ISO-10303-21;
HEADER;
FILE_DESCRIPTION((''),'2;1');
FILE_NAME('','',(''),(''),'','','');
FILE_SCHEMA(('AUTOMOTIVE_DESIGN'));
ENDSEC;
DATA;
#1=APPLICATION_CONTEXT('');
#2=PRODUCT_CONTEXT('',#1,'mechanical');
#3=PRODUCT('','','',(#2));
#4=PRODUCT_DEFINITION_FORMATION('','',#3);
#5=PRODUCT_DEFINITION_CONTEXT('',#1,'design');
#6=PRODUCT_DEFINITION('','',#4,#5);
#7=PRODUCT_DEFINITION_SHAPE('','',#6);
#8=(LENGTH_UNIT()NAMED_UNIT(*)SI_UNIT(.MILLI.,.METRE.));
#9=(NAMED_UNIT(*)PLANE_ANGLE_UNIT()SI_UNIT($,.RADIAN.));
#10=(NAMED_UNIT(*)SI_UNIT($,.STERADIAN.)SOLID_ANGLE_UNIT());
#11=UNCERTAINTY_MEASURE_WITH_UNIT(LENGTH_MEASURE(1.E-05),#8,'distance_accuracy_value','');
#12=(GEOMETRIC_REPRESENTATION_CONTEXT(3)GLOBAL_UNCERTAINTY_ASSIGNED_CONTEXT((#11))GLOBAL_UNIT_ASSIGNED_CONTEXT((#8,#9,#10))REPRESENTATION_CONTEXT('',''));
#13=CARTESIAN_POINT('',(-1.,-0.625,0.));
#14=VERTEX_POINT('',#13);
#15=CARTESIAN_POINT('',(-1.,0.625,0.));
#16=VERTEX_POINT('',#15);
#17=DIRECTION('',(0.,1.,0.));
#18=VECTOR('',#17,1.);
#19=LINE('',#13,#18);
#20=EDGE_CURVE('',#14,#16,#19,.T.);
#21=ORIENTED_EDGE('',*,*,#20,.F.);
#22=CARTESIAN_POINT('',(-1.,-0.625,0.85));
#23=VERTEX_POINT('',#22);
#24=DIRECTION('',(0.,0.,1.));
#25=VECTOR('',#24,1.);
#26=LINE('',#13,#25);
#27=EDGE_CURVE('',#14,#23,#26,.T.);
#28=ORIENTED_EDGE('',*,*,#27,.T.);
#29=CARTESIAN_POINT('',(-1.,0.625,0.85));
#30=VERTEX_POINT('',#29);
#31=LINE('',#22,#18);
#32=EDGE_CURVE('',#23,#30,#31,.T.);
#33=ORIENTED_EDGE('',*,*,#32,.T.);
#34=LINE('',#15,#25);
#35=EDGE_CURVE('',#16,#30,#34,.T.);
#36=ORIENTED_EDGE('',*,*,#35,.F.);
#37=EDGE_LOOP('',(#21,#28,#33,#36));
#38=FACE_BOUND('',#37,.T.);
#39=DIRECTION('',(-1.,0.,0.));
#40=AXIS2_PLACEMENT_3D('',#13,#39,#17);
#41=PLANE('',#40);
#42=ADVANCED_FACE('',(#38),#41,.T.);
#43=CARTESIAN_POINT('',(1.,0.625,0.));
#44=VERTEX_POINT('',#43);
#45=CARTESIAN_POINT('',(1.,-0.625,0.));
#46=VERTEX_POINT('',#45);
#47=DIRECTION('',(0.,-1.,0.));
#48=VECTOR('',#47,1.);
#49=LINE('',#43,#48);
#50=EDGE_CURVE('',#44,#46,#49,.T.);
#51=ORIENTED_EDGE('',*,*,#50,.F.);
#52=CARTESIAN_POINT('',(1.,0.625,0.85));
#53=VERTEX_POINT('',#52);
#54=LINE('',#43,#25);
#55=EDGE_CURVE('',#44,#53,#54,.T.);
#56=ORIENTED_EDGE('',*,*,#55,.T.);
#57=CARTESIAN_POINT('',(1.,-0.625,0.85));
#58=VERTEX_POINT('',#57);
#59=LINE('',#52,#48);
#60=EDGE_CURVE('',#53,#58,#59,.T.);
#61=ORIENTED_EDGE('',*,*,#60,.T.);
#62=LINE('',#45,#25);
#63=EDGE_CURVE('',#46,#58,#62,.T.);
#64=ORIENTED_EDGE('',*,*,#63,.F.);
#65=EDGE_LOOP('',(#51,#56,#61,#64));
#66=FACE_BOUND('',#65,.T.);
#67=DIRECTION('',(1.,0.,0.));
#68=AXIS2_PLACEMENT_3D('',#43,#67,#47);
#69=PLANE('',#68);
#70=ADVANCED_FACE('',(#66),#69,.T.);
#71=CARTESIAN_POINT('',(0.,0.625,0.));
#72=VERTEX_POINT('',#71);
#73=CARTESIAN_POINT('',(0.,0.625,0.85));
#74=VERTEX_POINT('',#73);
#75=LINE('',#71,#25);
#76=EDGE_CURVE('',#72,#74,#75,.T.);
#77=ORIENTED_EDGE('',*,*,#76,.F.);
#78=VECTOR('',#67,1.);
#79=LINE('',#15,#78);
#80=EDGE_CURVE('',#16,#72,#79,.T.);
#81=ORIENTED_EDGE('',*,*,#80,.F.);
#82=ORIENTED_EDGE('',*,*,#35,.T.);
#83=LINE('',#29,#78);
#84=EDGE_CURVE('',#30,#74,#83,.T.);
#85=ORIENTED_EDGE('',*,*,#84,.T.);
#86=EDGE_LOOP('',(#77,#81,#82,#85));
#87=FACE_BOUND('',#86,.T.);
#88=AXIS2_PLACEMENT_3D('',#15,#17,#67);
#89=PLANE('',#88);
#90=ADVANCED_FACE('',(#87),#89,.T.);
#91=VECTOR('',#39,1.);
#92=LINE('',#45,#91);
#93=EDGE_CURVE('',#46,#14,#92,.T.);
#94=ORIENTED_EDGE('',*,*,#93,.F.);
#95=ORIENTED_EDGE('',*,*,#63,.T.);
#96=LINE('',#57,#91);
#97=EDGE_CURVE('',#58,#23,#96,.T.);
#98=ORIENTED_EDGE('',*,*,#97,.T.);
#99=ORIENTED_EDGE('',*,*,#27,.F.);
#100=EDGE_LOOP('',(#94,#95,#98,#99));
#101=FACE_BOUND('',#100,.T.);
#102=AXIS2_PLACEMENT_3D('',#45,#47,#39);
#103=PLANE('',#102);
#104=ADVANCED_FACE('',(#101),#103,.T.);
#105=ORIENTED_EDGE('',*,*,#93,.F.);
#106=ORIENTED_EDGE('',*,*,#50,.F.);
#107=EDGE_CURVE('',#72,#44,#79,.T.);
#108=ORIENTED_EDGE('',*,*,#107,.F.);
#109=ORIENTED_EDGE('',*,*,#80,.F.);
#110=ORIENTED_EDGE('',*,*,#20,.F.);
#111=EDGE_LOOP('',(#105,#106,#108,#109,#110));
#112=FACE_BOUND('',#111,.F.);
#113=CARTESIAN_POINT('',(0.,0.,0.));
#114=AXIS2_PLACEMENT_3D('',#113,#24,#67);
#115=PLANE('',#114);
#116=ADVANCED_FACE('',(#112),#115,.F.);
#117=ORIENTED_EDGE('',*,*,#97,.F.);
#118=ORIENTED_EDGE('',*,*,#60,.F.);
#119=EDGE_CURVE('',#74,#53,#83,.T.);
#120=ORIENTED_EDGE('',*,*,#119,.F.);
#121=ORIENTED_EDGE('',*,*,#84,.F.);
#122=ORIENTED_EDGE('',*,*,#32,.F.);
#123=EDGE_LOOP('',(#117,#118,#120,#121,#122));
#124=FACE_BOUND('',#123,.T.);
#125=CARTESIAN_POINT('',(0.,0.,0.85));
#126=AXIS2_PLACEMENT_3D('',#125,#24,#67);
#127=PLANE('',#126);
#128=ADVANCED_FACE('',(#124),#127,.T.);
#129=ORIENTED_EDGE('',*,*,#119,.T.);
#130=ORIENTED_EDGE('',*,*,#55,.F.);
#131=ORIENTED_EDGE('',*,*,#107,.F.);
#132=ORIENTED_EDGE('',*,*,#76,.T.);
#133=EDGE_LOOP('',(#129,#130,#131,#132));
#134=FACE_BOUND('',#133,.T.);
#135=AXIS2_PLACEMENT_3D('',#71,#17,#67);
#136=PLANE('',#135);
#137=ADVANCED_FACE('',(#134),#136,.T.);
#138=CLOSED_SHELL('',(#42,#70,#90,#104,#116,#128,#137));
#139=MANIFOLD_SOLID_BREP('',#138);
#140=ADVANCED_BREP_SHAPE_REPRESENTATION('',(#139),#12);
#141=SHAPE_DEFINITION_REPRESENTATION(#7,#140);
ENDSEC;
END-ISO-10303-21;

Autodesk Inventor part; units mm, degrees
ref_plane "YZ Plane" through (0, 0, 0) normal (1, 0, 0) x (0, 1, 0)
ref_plane "XZ Plane" through (0, 0, 0) normal (0, 1, 0) x (-1, 0, 0)
ref_plane "XY Plane" through (0, 0, 0) normal (0, 0, 1) x (1, 0, 0)
sketch "Sketch1" plane through (0, 0, 0) normal (0, 0, 1) x (1, 0, 0)
  line L0 (-1, 0.625) -> (1, 0.625)
  line L1 (1, 0.625) -> (1, -0.625)
  line L2 (1, -0.625) -> (-1, -0.625)
  line L3 (-1, -0.625) -> (-1, 0.625)
  line L4 (0, 0) -> (0.5967, 0)
  line L5 (0, 0) -> (0, 0.6476)
  dimension "d0" = 2
  dimension "d1" = 1.25
extrude "Extrusion1" add sketch "Sketch1" along normal blind 0.85
properties material "SMT (95% LCP, 5% PhosBr)"
